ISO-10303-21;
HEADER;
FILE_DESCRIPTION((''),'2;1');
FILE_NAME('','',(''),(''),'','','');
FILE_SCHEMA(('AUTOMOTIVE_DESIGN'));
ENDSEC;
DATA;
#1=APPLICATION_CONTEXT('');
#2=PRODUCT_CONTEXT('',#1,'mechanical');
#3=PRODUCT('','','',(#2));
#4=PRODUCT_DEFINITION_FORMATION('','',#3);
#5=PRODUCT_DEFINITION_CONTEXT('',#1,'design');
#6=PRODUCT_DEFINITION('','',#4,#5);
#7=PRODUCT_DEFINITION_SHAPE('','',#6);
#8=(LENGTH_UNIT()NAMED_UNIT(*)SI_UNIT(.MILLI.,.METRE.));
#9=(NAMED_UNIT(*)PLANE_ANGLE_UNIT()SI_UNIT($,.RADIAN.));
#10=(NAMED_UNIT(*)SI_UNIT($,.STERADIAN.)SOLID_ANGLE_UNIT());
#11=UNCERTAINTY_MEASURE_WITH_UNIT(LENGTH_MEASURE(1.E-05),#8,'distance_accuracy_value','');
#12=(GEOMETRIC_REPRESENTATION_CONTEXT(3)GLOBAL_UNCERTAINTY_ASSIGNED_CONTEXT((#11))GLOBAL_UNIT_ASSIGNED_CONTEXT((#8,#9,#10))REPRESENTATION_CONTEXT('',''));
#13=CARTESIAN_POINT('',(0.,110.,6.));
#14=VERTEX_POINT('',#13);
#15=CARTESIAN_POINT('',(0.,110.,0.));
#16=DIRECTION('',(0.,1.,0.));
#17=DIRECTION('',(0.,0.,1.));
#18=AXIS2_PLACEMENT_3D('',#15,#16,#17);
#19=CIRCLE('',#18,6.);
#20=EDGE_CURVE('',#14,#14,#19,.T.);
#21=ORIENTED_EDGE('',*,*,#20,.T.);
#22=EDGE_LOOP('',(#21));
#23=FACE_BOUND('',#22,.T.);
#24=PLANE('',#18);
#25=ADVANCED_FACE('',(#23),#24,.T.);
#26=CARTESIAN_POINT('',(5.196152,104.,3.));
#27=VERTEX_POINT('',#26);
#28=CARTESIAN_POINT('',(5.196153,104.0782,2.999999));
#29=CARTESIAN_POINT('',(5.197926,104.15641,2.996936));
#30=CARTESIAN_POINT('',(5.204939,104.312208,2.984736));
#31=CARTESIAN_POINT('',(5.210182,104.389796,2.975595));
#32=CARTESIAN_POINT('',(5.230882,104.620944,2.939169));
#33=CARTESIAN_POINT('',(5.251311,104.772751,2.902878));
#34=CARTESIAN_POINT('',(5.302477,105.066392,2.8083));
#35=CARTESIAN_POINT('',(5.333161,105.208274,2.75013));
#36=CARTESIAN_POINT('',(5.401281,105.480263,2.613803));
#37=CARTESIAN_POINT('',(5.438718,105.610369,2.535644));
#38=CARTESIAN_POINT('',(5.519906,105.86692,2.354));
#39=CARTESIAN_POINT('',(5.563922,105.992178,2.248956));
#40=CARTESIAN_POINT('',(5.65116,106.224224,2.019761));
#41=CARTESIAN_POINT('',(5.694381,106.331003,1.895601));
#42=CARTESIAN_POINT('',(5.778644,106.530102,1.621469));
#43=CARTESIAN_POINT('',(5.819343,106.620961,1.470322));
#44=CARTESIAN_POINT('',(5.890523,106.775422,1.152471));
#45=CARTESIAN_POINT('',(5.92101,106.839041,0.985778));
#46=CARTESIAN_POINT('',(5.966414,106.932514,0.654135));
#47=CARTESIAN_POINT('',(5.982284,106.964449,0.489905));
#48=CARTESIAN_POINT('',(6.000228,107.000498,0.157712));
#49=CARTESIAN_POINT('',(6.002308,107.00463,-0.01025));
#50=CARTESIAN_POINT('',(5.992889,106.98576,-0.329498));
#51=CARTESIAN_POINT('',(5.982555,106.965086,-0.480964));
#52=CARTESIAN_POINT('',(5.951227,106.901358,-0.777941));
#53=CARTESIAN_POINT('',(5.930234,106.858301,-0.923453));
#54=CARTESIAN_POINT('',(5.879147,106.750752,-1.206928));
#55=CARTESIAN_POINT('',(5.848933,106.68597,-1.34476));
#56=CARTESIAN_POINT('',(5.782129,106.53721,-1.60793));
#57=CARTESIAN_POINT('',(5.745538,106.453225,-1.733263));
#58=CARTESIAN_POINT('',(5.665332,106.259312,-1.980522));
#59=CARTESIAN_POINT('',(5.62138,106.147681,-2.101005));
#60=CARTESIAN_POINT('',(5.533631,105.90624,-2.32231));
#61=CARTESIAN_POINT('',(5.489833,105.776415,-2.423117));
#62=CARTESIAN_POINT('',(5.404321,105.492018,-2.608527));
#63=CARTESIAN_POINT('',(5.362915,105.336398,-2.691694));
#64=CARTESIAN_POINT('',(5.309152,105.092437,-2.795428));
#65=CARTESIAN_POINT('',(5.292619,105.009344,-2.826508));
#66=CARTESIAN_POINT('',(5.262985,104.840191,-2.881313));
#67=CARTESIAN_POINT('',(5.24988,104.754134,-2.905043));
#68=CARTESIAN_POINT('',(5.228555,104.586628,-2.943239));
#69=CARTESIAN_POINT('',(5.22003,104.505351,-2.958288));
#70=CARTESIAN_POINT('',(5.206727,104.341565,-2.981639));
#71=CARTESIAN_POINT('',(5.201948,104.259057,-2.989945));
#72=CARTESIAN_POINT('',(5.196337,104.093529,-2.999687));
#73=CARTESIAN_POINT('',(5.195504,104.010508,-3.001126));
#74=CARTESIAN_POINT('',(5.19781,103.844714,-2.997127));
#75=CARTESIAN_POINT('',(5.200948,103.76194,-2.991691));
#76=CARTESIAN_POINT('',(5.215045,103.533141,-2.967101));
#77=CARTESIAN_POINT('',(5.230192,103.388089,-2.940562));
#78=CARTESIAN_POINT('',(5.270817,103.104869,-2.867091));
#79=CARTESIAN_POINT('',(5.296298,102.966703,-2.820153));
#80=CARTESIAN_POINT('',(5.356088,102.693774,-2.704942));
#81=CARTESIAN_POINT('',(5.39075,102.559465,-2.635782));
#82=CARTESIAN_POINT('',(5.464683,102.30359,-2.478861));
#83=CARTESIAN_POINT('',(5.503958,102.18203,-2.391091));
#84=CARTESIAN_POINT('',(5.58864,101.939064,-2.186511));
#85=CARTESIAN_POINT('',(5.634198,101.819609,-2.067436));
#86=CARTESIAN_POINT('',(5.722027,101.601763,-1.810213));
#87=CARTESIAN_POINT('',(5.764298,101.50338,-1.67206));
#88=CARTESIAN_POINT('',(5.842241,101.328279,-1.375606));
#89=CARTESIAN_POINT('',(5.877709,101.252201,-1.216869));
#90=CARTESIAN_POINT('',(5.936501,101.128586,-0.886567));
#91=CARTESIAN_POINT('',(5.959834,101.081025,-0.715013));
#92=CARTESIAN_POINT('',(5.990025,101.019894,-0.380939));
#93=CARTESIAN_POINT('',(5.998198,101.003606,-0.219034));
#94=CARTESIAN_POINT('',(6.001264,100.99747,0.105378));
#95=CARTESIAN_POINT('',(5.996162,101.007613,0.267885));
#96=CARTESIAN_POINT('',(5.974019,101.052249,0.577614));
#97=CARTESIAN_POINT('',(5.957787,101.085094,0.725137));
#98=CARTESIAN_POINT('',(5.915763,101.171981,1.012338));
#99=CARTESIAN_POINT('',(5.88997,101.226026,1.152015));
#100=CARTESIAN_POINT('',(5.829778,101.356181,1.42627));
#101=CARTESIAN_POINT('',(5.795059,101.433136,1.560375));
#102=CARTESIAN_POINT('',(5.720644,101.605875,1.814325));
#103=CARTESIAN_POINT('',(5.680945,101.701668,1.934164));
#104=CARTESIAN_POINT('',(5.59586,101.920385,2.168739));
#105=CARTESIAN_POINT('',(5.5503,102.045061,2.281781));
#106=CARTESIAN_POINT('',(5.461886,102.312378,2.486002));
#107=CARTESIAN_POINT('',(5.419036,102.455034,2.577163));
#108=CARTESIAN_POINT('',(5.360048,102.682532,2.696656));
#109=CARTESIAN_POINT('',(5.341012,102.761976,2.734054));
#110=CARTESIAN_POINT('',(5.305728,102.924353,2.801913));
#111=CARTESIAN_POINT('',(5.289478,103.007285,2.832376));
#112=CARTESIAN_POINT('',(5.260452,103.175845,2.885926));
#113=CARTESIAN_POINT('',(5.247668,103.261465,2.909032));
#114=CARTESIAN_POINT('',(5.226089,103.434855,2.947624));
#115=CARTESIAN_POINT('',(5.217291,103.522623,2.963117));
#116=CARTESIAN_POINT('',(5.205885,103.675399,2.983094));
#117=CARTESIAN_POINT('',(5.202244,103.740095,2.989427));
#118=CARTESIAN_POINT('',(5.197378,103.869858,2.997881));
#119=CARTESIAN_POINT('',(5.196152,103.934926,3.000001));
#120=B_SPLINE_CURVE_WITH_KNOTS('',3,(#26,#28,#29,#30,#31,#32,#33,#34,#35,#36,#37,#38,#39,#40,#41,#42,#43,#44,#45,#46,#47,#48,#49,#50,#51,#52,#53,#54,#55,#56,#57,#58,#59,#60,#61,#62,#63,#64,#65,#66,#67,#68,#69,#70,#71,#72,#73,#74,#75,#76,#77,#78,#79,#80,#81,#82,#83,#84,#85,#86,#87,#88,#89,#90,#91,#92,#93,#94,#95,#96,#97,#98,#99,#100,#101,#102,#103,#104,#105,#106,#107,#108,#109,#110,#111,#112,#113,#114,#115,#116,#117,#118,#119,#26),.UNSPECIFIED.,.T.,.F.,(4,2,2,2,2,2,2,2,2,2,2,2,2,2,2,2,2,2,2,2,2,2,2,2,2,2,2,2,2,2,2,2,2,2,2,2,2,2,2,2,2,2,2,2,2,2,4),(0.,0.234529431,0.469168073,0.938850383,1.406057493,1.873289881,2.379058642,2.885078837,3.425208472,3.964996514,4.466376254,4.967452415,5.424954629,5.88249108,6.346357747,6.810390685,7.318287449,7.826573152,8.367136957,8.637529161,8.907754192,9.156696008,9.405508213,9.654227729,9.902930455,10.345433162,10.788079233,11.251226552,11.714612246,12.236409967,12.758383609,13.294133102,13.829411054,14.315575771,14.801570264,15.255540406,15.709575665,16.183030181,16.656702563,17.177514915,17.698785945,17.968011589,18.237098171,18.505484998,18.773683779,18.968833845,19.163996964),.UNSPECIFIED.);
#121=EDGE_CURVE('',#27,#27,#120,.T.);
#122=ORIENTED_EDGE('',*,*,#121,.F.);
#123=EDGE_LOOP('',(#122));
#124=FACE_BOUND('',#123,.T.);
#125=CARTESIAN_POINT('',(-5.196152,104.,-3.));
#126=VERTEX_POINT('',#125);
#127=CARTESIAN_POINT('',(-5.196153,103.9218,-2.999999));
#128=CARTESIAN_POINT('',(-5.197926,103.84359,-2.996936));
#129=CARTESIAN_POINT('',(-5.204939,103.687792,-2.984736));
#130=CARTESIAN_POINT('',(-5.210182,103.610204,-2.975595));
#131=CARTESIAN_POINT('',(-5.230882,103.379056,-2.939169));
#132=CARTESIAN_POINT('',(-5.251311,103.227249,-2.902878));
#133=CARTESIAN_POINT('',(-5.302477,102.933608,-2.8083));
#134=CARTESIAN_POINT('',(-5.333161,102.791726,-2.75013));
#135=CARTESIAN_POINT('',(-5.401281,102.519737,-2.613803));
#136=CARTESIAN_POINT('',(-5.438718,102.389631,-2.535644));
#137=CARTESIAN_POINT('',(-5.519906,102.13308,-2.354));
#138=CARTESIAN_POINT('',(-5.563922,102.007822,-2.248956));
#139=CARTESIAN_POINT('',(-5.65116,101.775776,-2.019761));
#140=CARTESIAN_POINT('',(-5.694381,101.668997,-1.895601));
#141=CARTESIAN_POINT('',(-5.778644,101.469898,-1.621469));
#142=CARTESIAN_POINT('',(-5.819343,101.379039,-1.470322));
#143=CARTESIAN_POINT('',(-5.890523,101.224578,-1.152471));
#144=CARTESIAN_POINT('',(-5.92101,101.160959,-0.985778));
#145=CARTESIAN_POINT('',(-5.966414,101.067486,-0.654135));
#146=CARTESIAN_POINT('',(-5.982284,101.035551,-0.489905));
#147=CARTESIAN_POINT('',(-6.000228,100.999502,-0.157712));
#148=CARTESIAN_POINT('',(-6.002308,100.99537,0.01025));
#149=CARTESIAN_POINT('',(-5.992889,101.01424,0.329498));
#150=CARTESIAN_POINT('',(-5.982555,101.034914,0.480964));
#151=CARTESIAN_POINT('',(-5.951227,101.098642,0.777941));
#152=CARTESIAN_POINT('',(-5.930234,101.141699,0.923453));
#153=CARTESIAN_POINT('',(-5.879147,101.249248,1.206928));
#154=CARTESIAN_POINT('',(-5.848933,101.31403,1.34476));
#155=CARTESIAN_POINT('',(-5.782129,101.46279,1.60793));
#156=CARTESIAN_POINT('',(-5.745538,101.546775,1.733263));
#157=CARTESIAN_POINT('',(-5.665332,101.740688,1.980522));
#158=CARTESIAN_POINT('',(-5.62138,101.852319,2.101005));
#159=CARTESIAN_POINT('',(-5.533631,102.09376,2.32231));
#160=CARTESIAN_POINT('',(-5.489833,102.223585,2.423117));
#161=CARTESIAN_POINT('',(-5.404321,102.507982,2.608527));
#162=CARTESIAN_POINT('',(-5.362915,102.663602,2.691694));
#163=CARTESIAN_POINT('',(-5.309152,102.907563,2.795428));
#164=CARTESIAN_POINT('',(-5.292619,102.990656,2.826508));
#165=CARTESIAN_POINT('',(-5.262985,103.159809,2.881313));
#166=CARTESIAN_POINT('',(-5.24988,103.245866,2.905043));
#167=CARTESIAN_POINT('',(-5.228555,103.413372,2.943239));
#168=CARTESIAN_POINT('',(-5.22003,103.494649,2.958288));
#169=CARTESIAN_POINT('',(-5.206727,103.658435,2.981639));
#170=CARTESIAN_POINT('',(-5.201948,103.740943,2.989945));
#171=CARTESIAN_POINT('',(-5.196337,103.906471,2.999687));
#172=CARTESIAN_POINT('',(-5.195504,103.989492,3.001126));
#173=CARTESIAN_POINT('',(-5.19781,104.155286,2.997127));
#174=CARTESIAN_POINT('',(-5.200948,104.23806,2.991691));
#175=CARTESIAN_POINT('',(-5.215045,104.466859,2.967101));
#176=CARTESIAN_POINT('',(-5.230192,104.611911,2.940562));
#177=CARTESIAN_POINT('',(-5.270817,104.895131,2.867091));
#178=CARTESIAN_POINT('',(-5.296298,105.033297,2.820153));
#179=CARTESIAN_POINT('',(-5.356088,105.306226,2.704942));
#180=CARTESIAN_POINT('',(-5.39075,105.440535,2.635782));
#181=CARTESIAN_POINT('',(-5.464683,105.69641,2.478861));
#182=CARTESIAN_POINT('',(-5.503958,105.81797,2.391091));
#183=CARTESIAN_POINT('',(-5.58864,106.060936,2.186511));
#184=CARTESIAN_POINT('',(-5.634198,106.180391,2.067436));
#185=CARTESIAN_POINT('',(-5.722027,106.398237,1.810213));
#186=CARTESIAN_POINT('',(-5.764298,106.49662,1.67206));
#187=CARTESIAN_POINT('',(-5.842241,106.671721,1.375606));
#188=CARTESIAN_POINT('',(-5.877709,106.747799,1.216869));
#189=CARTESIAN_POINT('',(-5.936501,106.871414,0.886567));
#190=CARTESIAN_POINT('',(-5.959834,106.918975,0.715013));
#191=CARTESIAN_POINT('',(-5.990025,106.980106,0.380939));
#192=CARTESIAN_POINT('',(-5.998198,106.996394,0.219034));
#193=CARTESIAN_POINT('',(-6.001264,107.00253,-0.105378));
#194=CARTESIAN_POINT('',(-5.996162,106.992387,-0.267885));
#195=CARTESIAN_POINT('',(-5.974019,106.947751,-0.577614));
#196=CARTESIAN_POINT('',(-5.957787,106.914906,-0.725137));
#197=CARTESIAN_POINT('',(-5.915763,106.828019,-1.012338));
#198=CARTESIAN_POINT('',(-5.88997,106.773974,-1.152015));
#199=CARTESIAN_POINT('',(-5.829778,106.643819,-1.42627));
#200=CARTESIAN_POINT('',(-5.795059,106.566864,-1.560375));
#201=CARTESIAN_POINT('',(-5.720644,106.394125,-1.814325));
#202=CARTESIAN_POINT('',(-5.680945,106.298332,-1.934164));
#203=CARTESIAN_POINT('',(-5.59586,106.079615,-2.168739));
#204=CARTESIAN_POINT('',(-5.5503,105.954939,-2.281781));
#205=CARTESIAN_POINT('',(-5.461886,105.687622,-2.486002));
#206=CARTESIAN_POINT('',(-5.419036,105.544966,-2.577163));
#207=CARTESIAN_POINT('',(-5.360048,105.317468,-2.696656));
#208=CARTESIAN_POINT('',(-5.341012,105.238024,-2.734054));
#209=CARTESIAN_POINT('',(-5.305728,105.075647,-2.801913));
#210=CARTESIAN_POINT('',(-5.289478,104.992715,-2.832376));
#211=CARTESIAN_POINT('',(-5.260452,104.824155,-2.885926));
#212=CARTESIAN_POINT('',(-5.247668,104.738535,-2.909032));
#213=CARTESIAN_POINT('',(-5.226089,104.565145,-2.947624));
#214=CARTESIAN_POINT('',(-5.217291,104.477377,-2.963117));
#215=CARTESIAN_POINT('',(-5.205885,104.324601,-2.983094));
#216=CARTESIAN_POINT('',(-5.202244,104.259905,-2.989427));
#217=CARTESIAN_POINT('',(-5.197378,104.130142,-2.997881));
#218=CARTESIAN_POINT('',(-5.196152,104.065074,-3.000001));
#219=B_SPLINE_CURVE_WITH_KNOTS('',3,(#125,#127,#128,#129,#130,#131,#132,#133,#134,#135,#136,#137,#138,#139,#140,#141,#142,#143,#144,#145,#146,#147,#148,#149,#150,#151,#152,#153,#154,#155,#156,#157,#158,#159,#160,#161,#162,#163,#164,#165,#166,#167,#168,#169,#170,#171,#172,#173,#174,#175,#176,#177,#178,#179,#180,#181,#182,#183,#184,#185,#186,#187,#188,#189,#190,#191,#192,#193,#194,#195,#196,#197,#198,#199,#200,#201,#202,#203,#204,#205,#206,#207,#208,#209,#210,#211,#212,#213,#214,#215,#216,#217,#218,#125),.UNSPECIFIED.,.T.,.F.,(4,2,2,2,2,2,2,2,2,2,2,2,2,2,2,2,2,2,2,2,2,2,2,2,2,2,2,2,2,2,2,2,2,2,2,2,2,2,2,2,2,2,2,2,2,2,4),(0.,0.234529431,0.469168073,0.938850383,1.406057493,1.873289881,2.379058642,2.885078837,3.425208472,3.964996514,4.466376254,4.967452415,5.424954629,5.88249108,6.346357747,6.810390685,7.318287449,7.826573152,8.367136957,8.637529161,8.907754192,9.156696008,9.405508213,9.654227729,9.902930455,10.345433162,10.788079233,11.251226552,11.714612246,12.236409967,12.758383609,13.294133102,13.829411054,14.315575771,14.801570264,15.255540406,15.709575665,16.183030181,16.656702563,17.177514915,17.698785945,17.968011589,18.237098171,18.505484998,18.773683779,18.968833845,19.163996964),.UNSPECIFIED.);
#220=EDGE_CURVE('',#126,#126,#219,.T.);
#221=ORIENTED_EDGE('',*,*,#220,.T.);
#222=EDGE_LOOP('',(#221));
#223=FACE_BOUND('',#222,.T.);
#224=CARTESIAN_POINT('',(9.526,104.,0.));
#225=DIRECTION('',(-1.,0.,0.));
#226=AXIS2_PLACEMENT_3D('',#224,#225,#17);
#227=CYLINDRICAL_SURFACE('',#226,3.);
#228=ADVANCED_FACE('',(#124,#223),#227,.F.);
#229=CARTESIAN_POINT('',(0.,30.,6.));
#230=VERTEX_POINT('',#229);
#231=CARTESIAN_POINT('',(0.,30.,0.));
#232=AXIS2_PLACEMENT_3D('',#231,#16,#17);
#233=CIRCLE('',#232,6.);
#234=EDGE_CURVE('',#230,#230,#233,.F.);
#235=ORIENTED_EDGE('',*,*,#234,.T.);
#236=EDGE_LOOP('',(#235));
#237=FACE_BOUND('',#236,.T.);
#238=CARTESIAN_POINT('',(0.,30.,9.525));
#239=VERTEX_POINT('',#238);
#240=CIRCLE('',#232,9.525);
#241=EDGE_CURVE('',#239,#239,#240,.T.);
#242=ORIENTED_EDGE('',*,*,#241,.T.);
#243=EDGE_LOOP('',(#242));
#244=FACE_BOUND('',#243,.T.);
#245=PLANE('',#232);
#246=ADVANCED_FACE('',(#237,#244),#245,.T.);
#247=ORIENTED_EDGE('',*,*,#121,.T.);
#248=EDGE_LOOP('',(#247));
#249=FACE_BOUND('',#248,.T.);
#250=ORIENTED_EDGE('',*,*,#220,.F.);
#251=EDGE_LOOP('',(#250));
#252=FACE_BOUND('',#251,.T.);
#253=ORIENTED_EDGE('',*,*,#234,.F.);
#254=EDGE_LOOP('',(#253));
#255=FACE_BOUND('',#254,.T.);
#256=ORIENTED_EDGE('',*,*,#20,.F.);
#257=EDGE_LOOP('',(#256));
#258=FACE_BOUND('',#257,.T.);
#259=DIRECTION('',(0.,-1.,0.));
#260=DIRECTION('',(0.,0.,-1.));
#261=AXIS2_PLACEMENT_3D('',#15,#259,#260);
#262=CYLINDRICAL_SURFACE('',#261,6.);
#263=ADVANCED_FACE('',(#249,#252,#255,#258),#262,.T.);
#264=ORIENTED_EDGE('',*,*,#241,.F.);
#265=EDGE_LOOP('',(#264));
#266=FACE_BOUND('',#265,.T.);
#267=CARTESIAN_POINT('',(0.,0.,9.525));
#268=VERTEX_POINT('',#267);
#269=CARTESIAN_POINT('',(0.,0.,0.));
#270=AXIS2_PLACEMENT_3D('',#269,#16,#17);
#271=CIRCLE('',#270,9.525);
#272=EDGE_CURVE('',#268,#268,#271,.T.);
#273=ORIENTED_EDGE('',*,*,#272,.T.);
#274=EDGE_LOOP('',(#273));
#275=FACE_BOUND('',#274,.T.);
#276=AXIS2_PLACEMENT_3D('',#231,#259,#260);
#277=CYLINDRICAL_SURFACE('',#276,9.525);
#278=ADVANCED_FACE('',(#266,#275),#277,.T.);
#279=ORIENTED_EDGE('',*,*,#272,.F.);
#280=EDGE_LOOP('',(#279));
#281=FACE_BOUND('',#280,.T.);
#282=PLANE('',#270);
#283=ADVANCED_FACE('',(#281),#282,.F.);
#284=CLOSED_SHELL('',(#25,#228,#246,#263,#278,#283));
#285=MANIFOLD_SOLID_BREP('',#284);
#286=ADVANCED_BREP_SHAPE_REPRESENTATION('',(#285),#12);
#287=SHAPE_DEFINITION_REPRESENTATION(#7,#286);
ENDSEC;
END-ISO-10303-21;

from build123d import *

# Parameters (mm, degrees)
SKETCH5_R                           = 9.525
BOSS_EXTRUDE4_DEPTH                 = 30
SKETCH6_R                           = 6
BOSS_EXTRUDE6_DEPTH                 = 110
CUT_EXTRUDE1_REACH                  = 112.822
CUT_EXTRUDE1_END_RADIUS             = 6
SKETCH7_R                           = 3
CUT_EXTRUDE1_DIRECTION_2_REACH      = 112.822
CUT_EXTRUDE1_DIRECTION_2_END_RADIUS = 6


with BuildPart() as part:
    # Sketch5 → Boss-Extrude4 (new body)
    with BuildSketch(Plane(origin=(0, 0, 0), x_dir=(1, 0, 0), z_dir=(0, 1, 0))):
        with Locations(Location((0, 0, 0), (0, 0, 270))):
            Circle(SKETCH5_R)
    extrude(amount=BOSS_EXTRUDE4_DEPTH)

    # Sketch6 → Boss-Extrude6 (add)
    with BuildSketch(Plane(origin=(0, 0, 0), x_dir=(1, 0, 0), z_dir=(0, 1, 0))):
        with Locations(Location((0, 0, 0), (0, 0, 270))):
            Circle(SKETCH6_R)
    extrude(amount=BOSS_EXTRUDE6_DEPTH)

    # Cut-Extrude1: up to this cylinder (the profile starts inside it)
    cut_extrude1_end = Plane(origin=(0, 104, 0), z_dir=(0, -1, 0)) * Cylinder(CUT_EXTRUDE1_END_RADIUS, 238.644, mode=Mode.PRIVATE)
    # Sketch7 → Cut-Extrude1 (cut, up to the surface)
    with BuildSketch(Plane(origin=(0, 0, 0), x_dir=(0, 0, -1), z_dir=(1, 0, 0)), mode=Mode.PRIVATE) as cut_extrude1_sk1:
        with Locations(Location((0, 104, 0), (0, 0, 180))):
            Circle(SKETCH7_R)
    cut_extrude1_tool1 = extrude(cut_extrude1_sk1.sketch, amount=-CUT_EXTRUDE1_REACH, mode=Mode.PRIVATE) & cut_extrude1_end
    add(cut_extrude1_tool1.solids().sort_by_distance((0, 104, 0))[0], mode=Mode.SUBTRACT)

    # Cut-Extrude1 direction 2: up to this cylinder (the profile starts inside it)
    cut_extrude1_direction_2_end = Plane(origin=(0, 104, 0), z_dir=(0, -1, 0)) * Cylinder(CUT_EXTRUDE1_DIRECTION_2_END_RADIUS, 238.644, mode=Mode.PRIVATE)
    # Sketch7 → Cut-Extrude1 direction 2 (cut, up to the surface)
    with BuildSketch(Plane(origin=(0, 0, 0), x_dir=(0, 0, -1), z_dir=(1, 0, 0)), mode=Mode.PRIVATE) as cut_extrude1_direction_2_sk1:
        with Locations(Location((0, 104, 0), (0, 0, 180))):
            Circle(SKETCH7_R)
    cut_extrude1_direction_2_tool1 = extrude(cut_extrude1_direction_2_sk1.sketch, amount=CUT_EXTRUDE1_DIRECTION_2_REACH, mode=Mode.PRIVATE) & cut_extrude1_direction_2_end
    add(cut_extrude1_direction_2_tool1.solids().sort_by_distance((0, 104, 0))[0], mode=Mode.SUBTRACT)


solid = part.part
